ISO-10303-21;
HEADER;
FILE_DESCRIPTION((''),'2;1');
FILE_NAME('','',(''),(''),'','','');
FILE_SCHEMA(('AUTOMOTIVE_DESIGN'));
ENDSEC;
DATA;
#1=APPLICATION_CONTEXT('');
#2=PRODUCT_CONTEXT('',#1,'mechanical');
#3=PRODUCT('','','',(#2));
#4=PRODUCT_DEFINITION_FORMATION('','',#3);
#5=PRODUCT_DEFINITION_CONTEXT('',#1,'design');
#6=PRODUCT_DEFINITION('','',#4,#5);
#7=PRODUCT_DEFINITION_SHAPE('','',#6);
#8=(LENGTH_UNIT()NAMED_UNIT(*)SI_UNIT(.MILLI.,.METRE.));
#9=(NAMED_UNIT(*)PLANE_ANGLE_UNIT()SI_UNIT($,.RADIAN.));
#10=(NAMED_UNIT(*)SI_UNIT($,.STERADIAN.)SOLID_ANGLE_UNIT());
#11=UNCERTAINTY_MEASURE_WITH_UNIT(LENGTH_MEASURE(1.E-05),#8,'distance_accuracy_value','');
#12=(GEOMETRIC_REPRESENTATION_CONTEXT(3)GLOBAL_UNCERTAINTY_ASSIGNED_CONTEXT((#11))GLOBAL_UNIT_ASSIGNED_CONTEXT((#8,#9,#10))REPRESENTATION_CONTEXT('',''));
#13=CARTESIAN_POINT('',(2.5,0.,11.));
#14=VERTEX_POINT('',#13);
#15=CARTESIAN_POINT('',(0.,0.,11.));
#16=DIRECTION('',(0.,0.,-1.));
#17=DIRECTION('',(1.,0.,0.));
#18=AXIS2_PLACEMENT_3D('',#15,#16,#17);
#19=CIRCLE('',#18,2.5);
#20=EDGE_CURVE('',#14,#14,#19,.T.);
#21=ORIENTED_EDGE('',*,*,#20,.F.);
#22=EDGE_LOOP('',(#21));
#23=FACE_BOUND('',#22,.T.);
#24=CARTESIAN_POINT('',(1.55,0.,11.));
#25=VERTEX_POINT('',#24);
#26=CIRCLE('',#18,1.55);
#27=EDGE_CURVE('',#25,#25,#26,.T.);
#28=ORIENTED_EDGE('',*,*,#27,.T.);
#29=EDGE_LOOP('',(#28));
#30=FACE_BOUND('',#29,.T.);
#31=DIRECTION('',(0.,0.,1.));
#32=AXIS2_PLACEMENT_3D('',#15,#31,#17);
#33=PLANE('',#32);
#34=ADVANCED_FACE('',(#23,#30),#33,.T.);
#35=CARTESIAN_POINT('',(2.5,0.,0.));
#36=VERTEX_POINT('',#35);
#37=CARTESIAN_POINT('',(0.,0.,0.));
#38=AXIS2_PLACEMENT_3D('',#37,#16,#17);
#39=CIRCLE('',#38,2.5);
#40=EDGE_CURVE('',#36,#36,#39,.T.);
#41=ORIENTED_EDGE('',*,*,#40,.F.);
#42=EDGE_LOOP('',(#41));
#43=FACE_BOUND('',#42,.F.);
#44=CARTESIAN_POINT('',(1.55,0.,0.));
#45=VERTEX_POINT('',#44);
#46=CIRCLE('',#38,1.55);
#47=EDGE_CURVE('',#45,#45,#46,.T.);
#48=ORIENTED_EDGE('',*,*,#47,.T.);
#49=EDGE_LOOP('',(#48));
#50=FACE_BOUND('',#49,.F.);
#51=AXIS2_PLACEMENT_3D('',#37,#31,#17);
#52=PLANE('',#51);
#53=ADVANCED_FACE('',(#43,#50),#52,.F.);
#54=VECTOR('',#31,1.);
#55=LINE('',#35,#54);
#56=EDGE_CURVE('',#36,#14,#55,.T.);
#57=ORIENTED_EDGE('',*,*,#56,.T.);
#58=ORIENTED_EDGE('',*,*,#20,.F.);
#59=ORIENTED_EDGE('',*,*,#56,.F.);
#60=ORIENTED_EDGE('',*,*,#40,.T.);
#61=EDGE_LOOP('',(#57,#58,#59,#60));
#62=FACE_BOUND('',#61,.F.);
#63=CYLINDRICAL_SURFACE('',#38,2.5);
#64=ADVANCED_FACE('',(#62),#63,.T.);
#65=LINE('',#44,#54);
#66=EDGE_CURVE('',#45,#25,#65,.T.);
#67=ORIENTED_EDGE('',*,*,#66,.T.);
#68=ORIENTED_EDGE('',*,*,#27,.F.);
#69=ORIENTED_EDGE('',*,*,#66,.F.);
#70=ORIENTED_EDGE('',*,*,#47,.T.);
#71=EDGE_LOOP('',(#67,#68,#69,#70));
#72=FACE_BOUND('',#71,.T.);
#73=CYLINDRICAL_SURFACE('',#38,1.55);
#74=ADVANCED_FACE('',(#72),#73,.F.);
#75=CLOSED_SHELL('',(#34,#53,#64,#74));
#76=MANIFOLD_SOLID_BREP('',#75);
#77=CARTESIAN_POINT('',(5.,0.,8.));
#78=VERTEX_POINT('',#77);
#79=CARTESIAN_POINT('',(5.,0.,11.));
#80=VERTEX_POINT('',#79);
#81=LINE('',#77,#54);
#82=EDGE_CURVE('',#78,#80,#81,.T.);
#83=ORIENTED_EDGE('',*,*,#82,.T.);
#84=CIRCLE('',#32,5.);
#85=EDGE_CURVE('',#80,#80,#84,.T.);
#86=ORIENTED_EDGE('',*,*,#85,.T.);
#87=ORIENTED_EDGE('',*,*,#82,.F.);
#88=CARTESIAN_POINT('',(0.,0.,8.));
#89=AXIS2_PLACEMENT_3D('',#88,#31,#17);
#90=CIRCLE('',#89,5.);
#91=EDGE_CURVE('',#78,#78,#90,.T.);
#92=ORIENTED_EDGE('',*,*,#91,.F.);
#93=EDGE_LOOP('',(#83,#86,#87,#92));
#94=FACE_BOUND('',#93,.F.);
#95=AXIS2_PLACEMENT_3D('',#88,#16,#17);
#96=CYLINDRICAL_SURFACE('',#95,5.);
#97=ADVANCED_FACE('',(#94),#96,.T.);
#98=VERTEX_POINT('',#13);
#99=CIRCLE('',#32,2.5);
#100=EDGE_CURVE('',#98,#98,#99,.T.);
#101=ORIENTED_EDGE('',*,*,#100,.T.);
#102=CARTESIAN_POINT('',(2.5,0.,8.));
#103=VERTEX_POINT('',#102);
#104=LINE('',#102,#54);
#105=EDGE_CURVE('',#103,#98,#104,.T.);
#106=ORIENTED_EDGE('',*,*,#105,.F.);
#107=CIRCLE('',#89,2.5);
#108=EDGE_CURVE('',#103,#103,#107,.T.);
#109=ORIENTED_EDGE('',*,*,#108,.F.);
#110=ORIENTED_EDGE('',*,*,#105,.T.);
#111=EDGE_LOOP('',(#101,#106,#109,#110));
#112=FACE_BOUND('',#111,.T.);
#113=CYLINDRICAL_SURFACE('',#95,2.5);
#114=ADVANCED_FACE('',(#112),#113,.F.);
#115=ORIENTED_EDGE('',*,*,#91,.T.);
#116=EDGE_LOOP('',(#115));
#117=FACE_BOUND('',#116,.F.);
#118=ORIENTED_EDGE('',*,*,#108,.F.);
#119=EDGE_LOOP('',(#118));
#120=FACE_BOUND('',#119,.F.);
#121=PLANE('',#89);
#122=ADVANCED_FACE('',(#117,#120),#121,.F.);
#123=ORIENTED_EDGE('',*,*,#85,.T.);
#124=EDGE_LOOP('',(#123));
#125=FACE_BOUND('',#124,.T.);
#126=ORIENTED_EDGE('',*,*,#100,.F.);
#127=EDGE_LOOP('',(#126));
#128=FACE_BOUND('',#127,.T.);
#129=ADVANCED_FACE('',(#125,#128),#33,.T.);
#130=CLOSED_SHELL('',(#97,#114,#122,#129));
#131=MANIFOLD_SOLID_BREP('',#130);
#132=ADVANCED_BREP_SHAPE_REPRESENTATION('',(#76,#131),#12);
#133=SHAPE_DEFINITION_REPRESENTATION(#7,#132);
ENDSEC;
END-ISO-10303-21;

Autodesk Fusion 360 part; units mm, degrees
sketch "Sketch1" plane through (0, 0, 0) normal (0, 0, 1) x (1, 0, 0)
  circle A0 centre (0, 0) radius 2.5
  circle A1 centre (0, 0) radius 1.55
  dimension "d1" = 5
  dimension "d2" = 3.1
extrude "Extrude1" add sketch "Sketch1" along normal blind 8 makes body 1
sketch "Sketch2" plane through (0, 0, 8) normal (0, 0, 1) x (1, 0, 0)
  circle A0 centre (0, 0) radius 1.55
  circle A1 centre (0, 0) radius 2.5
  circle A2 centre (0, 0) radius 5
  dimension "d5" = 10
extrude "Extrude2" add sketch "Sketch2" along normal blind 3 separate body contours A2 makes body 2
move_face "OffsetFaces1" offset 3 1 faces at (2.174, -0.1242, 8) on bodies 1
